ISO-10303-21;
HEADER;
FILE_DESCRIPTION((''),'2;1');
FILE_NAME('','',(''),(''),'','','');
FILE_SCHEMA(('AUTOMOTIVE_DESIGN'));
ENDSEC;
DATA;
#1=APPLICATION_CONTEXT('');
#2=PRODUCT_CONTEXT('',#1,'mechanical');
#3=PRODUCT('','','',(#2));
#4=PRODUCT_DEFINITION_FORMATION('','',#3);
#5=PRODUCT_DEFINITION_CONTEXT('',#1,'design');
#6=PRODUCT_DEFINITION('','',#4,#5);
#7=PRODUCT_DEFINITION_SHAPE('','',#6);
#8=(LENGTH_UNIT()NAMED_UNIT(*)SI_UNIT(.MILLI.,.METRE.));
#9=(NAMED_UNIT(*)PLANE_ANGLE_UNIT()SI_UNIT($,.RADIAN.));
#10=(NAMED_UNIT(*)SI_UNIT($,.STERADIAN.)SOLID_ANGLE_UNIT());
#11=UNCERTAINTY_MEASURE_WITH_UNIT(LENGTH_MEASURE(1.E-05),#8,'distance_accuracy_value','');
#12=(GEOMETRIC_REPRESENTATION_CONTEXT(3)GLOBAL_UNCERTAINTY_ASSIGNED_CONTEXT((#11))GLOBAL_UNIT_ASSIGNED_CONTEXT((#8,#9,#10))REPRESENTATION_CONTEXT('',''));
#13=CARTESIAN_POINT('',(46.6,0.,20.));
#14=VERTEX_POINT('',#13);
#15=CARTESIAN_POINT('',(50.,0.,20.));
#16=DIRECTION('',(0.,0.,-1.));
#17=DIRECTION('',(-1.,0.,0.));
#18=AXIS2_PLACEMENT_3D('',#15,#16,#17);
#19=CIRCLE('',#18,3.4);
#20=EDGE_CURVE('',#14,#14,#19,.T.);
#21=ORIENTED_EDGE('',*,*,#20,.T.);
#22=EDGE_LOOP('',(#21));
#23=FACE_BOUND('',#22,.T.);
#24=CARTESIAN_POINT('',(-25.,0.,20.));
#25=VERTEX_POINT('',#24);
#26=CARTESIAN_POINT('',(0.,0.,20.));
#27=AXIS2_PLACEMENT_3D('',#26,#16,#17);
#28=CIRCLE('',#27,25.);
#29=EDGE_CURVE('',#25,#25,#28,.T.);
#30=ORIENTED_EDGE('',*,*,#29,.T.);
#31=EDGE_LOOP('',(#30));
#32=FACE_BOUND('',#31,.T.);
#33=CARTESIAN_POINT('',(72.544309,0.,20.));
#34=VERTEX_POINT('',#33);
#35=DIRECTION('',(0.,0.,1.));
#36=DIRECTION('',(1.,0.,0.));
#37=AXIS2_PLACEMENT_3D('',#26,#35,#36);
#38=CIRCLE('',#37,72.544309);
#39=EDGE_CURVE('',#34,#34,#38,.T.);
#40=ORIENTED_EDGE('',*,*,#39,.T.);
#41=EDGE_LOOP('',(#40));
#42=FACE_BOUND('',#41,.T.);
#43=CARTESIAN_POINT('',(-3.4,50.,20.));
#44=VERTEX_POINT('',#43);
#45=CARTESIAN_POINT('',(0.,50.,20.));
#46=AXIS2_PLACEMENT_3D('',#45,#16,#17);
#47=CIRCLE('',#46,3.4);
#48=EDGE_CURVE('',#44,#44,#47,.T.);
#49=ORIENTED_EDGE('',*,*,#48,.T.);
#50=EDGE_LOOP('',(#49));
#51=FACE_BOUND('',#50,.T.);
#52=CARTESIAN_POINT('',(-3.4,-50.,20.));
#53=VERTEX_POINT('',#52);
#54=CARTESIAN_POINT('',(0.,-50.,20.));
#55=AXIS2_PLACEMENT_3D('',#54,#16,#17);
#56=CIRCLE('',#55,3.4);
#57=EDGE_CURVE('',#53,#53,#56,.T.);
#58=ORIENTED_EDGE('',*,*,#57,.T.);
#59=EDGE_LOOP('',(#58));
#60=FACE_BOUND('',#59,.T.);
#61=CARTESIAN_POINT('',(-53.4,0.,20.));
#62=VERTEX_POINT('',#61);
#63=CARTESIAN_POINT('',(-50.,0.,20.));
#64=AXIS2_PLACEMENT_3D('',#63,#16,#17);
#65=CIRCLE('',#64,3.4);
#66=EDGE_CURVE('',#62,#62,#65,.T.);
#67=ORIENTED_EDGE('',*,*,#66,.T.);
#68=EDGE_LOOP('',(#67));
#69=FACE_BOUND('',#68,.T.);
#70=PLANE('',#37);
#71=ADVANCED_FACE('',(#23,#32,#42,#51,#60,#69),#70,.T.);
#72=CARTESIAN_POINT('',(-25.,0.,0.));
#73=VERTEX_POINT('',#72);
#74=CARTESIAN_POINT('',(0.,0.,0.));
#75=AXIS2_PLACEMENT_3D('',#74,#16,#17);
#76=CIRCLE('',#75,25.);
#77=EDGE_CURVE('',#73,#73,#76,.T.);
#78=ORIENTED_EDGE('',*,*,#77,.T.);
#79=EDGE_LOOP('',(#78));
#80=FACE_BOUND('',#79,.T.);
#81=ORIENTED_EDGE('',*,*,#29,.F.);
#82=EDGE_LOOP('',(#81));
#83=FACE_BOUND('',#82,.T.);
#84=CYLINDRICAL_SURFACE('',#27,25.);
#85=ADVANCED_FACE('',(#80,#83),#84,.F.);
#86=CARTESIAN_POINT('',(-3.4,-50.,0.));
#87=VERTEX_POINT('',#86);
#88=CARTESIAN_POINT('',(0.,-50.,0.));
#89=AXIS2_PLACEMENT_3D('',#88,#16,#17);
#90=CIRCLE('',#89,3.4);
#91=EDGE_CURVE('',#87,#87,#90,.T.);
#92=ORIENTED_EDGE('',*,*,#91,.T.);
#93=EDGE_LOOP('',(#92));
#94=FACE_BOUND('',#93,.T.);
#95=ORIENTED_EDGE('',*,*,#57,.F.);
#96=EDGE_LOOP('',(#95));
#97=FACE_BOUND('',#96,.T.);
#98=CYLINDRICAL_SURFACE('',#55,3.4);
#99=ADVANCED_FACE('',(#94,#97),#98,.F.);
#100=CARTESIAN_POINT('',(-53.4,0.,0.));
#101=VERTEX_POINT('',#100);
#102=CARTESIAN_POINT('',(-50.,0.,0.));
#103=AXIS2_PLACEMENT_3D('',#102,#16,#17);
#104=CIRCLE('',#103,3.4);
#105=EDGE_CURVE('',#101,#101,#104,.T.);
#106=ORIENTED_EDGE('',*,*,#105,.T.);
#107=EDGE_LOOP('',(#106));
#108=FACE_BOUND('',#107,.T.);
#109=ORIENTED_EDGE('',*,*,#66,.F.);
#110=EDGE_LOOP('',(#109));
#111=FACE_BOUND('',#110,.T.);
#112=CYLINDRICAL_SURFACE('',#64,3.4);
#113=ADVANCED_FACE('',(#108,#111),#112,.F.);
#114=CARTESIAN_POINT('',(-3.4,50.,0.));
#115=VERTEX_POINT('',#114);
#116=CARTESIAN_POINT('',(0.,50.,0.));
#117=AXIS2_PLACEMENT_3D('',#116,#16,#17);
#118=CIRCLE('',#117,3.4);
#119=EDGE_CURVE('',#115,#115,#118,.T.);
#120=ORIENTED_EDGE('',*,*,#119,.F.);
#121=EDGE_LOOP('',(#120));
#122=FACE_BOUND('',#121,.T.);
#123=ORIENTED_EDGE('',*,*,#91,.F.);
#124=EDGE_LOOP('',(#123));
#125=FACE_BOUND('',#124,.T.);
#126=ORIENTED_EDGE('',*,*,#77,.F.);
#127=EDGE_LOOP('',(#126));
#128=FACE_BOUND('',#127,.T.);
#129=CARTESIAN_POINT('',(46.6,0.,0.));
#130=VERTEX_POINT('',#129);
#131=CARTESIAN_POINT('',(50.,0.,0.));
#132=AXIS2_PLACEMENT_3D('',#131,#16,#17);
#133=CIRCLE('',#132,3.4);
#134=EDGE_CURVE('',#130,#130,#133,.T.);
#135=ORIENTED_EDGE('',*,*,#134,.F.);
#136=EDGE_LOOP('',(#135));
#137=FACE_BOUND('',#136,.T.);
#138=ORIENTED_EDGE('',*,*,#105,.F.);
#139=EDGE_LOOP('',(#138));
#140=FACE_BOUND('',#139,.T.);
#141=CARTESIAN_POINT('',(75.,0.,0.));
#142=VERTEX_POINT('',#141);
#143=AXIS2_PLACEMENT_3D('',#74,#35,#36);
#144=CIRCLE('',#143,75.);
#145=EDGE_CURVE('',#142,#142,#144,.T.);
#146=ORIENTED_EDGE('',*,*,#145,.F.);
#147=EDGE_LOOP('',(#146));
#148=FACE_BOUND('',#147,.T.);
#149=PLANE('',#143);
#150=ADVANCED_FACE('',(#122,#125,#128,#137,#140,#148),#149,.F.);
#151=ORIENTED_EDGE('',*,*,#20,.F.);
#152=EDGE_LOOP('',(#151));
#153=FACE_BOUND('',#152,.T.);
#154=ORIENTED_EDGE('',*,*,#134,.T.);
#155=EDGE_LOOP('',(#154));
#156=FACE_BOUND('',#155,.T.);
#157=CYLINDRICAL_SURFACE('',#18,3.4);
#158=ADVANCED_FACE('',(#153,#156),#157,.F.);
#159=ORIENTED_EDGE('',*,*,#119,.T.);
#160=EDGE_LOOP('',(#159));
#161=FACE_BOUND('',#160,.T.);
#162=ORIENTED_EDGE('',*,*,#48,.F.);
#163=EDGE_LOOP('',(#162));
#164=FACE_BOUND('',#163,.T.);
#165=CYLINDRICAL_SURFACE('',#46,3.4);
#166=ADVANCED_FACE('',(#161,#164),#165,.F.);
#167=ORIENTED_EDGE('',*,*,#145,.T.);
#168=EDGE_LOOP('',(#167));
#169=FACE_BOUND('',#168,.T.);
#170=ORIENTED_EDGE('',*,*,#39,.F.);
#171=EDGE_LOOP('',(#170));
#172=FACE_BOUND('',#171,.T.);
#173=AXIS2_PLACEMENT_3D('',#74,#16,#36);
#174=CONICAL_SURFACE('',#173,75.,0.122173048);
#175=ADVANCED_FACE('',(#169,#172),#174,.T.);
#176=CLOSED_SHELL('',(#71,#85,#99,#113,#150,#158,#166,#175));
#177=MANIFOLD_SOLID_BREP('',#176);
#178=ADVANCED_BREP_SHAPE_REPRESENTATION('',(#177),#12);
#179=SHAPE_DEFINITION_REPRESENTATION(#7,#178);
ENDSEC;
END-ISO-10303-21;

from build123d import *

# Parameters (mm, degrees)
SKETCH1_R           = 75
BOSS_EXTRUDE1_DEPTH = 20
BOSS_EXTRUDE1_TAPER = 7
SKETCH6_R           = 25
SKETCH6_R_2         = 3.4
CUT_EXTRUDE1_DEPTH  = 21


with BuildPart() as part:
    # Sketch1 → Boss-Extrude1 (new body)
    with BuildSketch(Plane.XY):
        Circle(SKETCH1_R)
    extrude(amount=BOSS_EXTRUDE1_DEPTH, taper=BOSS_EXTRUDE1_TAPER)

    # Sketch6 → Cut-Extrude1 (cut, through all)
    with BuildSketch(Plane(origin=(0, 0, 0), x_dir=(-1, 0, 0), z_dir=(0, 0, -1))):
        Circle(SKETCH6_R)
        with Locations((0, 50)):
            Circle(SKETCH6_R_2)
        with Locations((50, 0)):
            Circle(SKETCH6_R_2)
        with Locations((0, -50)):
            Circle(SKETCH6_R_2)
        with Locations((-50, 0)):
            Circle(SKETCH6_R_2)
    extrude(amount=-CUT_EXTRUDE1_DEPTH, mode=Mode.SUBTRACT)


solid = part.part
